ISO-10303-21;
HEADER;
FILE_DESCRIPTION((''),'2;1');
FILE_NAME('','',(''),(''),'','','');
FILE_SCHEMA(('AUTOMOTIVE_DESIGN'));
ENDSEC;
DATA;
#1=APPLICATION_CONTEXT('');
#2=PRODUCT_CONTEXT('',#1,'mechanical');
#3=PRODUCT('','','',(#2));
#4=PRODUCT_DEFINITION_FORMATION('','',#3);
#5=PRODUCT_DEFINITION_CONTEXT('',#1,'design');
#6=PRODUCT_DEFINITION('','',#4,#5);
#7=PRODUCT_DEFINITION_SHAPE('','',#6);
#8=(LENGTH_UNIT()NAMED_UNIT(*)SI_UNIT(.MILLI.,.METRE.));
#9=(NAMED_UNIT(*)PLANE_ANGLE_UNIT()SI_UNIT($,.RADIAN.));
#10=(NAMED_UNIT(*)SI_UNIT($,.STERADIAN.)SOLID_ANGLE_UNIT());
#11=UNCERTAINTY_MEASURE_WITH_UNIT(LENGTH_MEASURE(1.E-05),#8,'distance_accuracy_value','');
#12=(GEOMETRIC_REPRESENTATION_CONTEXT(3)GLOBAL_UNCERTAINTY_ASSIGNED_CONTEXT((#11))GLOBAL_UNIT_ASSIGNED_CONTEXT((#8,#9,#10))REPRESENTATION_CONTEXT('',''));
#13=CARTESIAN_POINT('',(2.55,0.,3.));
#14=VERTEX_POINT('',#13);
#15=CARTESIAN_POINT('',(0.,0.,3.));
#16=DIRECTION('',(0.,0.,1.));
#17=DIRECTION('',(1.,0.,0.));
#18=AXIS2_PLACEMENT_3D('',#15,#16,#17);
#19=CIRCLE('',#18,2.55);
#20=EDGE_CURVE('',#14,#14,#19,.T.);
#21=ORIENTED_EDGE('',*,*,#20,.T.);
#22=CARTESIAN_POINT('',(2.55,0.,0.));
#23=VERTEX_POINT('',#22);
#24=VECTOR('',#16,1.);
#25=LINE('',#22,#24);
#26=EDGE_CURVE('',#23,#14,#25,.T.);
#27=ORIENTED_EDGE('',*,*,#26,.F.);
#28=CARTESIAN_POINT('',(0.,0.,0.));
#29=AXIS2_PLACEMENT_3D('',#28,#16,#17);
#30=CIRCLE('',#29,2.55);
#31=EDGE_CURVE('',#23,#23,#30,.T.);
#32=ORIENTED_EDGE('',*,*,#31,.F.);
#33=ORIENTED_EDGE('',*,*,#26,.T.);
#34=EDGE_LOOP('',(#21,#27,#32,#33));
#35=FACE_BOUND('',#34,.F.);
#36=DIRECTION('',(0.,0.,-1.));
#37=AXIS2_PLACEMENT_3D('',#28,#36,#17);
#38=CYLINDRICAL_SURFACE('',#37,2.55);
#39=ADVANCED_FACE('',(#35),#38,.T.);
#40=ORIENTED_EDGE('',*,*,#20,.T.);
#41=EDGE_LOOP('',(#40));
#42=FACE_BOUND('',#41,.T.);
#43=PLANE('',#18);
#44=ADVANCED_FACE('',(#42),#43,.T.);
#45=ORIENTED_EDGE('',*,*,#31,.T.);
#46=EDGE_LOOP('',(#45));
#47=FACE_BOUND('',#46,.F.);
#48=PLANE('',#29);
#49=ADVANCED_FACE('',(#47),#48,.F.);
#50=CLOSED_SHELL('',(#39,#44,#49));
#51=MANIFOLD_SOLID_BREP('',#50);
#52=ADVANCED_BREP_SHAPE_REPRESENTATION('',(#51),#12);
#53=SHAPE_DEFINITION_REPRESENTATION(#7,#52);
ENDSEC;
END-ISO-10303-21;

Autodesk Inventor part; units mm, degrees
ref_plane "YZ Plane" through (0, 0, 0) normal (1, 0, 0) x (0, 1, 0)
ref_plane "XZ Plane" through (0, 0, 0) normal (0, 1, 0) x (-1, 0, 0)
ref_plane "XY Plane" through (0, 0, 0) normal (0, 0, 1) x (1, 0, 0)
sketch "Sketch1" plane through (0, 0, 0) normal (0, 0, 1) x (1, 0, 0)
  circle A0 centre (0, 0) radius 2.55
  dimension "d0" = 5.1
extrude "Extrusion1" add sketch "Sketch1" along normal blind 3
properties part number "slider_knob"
